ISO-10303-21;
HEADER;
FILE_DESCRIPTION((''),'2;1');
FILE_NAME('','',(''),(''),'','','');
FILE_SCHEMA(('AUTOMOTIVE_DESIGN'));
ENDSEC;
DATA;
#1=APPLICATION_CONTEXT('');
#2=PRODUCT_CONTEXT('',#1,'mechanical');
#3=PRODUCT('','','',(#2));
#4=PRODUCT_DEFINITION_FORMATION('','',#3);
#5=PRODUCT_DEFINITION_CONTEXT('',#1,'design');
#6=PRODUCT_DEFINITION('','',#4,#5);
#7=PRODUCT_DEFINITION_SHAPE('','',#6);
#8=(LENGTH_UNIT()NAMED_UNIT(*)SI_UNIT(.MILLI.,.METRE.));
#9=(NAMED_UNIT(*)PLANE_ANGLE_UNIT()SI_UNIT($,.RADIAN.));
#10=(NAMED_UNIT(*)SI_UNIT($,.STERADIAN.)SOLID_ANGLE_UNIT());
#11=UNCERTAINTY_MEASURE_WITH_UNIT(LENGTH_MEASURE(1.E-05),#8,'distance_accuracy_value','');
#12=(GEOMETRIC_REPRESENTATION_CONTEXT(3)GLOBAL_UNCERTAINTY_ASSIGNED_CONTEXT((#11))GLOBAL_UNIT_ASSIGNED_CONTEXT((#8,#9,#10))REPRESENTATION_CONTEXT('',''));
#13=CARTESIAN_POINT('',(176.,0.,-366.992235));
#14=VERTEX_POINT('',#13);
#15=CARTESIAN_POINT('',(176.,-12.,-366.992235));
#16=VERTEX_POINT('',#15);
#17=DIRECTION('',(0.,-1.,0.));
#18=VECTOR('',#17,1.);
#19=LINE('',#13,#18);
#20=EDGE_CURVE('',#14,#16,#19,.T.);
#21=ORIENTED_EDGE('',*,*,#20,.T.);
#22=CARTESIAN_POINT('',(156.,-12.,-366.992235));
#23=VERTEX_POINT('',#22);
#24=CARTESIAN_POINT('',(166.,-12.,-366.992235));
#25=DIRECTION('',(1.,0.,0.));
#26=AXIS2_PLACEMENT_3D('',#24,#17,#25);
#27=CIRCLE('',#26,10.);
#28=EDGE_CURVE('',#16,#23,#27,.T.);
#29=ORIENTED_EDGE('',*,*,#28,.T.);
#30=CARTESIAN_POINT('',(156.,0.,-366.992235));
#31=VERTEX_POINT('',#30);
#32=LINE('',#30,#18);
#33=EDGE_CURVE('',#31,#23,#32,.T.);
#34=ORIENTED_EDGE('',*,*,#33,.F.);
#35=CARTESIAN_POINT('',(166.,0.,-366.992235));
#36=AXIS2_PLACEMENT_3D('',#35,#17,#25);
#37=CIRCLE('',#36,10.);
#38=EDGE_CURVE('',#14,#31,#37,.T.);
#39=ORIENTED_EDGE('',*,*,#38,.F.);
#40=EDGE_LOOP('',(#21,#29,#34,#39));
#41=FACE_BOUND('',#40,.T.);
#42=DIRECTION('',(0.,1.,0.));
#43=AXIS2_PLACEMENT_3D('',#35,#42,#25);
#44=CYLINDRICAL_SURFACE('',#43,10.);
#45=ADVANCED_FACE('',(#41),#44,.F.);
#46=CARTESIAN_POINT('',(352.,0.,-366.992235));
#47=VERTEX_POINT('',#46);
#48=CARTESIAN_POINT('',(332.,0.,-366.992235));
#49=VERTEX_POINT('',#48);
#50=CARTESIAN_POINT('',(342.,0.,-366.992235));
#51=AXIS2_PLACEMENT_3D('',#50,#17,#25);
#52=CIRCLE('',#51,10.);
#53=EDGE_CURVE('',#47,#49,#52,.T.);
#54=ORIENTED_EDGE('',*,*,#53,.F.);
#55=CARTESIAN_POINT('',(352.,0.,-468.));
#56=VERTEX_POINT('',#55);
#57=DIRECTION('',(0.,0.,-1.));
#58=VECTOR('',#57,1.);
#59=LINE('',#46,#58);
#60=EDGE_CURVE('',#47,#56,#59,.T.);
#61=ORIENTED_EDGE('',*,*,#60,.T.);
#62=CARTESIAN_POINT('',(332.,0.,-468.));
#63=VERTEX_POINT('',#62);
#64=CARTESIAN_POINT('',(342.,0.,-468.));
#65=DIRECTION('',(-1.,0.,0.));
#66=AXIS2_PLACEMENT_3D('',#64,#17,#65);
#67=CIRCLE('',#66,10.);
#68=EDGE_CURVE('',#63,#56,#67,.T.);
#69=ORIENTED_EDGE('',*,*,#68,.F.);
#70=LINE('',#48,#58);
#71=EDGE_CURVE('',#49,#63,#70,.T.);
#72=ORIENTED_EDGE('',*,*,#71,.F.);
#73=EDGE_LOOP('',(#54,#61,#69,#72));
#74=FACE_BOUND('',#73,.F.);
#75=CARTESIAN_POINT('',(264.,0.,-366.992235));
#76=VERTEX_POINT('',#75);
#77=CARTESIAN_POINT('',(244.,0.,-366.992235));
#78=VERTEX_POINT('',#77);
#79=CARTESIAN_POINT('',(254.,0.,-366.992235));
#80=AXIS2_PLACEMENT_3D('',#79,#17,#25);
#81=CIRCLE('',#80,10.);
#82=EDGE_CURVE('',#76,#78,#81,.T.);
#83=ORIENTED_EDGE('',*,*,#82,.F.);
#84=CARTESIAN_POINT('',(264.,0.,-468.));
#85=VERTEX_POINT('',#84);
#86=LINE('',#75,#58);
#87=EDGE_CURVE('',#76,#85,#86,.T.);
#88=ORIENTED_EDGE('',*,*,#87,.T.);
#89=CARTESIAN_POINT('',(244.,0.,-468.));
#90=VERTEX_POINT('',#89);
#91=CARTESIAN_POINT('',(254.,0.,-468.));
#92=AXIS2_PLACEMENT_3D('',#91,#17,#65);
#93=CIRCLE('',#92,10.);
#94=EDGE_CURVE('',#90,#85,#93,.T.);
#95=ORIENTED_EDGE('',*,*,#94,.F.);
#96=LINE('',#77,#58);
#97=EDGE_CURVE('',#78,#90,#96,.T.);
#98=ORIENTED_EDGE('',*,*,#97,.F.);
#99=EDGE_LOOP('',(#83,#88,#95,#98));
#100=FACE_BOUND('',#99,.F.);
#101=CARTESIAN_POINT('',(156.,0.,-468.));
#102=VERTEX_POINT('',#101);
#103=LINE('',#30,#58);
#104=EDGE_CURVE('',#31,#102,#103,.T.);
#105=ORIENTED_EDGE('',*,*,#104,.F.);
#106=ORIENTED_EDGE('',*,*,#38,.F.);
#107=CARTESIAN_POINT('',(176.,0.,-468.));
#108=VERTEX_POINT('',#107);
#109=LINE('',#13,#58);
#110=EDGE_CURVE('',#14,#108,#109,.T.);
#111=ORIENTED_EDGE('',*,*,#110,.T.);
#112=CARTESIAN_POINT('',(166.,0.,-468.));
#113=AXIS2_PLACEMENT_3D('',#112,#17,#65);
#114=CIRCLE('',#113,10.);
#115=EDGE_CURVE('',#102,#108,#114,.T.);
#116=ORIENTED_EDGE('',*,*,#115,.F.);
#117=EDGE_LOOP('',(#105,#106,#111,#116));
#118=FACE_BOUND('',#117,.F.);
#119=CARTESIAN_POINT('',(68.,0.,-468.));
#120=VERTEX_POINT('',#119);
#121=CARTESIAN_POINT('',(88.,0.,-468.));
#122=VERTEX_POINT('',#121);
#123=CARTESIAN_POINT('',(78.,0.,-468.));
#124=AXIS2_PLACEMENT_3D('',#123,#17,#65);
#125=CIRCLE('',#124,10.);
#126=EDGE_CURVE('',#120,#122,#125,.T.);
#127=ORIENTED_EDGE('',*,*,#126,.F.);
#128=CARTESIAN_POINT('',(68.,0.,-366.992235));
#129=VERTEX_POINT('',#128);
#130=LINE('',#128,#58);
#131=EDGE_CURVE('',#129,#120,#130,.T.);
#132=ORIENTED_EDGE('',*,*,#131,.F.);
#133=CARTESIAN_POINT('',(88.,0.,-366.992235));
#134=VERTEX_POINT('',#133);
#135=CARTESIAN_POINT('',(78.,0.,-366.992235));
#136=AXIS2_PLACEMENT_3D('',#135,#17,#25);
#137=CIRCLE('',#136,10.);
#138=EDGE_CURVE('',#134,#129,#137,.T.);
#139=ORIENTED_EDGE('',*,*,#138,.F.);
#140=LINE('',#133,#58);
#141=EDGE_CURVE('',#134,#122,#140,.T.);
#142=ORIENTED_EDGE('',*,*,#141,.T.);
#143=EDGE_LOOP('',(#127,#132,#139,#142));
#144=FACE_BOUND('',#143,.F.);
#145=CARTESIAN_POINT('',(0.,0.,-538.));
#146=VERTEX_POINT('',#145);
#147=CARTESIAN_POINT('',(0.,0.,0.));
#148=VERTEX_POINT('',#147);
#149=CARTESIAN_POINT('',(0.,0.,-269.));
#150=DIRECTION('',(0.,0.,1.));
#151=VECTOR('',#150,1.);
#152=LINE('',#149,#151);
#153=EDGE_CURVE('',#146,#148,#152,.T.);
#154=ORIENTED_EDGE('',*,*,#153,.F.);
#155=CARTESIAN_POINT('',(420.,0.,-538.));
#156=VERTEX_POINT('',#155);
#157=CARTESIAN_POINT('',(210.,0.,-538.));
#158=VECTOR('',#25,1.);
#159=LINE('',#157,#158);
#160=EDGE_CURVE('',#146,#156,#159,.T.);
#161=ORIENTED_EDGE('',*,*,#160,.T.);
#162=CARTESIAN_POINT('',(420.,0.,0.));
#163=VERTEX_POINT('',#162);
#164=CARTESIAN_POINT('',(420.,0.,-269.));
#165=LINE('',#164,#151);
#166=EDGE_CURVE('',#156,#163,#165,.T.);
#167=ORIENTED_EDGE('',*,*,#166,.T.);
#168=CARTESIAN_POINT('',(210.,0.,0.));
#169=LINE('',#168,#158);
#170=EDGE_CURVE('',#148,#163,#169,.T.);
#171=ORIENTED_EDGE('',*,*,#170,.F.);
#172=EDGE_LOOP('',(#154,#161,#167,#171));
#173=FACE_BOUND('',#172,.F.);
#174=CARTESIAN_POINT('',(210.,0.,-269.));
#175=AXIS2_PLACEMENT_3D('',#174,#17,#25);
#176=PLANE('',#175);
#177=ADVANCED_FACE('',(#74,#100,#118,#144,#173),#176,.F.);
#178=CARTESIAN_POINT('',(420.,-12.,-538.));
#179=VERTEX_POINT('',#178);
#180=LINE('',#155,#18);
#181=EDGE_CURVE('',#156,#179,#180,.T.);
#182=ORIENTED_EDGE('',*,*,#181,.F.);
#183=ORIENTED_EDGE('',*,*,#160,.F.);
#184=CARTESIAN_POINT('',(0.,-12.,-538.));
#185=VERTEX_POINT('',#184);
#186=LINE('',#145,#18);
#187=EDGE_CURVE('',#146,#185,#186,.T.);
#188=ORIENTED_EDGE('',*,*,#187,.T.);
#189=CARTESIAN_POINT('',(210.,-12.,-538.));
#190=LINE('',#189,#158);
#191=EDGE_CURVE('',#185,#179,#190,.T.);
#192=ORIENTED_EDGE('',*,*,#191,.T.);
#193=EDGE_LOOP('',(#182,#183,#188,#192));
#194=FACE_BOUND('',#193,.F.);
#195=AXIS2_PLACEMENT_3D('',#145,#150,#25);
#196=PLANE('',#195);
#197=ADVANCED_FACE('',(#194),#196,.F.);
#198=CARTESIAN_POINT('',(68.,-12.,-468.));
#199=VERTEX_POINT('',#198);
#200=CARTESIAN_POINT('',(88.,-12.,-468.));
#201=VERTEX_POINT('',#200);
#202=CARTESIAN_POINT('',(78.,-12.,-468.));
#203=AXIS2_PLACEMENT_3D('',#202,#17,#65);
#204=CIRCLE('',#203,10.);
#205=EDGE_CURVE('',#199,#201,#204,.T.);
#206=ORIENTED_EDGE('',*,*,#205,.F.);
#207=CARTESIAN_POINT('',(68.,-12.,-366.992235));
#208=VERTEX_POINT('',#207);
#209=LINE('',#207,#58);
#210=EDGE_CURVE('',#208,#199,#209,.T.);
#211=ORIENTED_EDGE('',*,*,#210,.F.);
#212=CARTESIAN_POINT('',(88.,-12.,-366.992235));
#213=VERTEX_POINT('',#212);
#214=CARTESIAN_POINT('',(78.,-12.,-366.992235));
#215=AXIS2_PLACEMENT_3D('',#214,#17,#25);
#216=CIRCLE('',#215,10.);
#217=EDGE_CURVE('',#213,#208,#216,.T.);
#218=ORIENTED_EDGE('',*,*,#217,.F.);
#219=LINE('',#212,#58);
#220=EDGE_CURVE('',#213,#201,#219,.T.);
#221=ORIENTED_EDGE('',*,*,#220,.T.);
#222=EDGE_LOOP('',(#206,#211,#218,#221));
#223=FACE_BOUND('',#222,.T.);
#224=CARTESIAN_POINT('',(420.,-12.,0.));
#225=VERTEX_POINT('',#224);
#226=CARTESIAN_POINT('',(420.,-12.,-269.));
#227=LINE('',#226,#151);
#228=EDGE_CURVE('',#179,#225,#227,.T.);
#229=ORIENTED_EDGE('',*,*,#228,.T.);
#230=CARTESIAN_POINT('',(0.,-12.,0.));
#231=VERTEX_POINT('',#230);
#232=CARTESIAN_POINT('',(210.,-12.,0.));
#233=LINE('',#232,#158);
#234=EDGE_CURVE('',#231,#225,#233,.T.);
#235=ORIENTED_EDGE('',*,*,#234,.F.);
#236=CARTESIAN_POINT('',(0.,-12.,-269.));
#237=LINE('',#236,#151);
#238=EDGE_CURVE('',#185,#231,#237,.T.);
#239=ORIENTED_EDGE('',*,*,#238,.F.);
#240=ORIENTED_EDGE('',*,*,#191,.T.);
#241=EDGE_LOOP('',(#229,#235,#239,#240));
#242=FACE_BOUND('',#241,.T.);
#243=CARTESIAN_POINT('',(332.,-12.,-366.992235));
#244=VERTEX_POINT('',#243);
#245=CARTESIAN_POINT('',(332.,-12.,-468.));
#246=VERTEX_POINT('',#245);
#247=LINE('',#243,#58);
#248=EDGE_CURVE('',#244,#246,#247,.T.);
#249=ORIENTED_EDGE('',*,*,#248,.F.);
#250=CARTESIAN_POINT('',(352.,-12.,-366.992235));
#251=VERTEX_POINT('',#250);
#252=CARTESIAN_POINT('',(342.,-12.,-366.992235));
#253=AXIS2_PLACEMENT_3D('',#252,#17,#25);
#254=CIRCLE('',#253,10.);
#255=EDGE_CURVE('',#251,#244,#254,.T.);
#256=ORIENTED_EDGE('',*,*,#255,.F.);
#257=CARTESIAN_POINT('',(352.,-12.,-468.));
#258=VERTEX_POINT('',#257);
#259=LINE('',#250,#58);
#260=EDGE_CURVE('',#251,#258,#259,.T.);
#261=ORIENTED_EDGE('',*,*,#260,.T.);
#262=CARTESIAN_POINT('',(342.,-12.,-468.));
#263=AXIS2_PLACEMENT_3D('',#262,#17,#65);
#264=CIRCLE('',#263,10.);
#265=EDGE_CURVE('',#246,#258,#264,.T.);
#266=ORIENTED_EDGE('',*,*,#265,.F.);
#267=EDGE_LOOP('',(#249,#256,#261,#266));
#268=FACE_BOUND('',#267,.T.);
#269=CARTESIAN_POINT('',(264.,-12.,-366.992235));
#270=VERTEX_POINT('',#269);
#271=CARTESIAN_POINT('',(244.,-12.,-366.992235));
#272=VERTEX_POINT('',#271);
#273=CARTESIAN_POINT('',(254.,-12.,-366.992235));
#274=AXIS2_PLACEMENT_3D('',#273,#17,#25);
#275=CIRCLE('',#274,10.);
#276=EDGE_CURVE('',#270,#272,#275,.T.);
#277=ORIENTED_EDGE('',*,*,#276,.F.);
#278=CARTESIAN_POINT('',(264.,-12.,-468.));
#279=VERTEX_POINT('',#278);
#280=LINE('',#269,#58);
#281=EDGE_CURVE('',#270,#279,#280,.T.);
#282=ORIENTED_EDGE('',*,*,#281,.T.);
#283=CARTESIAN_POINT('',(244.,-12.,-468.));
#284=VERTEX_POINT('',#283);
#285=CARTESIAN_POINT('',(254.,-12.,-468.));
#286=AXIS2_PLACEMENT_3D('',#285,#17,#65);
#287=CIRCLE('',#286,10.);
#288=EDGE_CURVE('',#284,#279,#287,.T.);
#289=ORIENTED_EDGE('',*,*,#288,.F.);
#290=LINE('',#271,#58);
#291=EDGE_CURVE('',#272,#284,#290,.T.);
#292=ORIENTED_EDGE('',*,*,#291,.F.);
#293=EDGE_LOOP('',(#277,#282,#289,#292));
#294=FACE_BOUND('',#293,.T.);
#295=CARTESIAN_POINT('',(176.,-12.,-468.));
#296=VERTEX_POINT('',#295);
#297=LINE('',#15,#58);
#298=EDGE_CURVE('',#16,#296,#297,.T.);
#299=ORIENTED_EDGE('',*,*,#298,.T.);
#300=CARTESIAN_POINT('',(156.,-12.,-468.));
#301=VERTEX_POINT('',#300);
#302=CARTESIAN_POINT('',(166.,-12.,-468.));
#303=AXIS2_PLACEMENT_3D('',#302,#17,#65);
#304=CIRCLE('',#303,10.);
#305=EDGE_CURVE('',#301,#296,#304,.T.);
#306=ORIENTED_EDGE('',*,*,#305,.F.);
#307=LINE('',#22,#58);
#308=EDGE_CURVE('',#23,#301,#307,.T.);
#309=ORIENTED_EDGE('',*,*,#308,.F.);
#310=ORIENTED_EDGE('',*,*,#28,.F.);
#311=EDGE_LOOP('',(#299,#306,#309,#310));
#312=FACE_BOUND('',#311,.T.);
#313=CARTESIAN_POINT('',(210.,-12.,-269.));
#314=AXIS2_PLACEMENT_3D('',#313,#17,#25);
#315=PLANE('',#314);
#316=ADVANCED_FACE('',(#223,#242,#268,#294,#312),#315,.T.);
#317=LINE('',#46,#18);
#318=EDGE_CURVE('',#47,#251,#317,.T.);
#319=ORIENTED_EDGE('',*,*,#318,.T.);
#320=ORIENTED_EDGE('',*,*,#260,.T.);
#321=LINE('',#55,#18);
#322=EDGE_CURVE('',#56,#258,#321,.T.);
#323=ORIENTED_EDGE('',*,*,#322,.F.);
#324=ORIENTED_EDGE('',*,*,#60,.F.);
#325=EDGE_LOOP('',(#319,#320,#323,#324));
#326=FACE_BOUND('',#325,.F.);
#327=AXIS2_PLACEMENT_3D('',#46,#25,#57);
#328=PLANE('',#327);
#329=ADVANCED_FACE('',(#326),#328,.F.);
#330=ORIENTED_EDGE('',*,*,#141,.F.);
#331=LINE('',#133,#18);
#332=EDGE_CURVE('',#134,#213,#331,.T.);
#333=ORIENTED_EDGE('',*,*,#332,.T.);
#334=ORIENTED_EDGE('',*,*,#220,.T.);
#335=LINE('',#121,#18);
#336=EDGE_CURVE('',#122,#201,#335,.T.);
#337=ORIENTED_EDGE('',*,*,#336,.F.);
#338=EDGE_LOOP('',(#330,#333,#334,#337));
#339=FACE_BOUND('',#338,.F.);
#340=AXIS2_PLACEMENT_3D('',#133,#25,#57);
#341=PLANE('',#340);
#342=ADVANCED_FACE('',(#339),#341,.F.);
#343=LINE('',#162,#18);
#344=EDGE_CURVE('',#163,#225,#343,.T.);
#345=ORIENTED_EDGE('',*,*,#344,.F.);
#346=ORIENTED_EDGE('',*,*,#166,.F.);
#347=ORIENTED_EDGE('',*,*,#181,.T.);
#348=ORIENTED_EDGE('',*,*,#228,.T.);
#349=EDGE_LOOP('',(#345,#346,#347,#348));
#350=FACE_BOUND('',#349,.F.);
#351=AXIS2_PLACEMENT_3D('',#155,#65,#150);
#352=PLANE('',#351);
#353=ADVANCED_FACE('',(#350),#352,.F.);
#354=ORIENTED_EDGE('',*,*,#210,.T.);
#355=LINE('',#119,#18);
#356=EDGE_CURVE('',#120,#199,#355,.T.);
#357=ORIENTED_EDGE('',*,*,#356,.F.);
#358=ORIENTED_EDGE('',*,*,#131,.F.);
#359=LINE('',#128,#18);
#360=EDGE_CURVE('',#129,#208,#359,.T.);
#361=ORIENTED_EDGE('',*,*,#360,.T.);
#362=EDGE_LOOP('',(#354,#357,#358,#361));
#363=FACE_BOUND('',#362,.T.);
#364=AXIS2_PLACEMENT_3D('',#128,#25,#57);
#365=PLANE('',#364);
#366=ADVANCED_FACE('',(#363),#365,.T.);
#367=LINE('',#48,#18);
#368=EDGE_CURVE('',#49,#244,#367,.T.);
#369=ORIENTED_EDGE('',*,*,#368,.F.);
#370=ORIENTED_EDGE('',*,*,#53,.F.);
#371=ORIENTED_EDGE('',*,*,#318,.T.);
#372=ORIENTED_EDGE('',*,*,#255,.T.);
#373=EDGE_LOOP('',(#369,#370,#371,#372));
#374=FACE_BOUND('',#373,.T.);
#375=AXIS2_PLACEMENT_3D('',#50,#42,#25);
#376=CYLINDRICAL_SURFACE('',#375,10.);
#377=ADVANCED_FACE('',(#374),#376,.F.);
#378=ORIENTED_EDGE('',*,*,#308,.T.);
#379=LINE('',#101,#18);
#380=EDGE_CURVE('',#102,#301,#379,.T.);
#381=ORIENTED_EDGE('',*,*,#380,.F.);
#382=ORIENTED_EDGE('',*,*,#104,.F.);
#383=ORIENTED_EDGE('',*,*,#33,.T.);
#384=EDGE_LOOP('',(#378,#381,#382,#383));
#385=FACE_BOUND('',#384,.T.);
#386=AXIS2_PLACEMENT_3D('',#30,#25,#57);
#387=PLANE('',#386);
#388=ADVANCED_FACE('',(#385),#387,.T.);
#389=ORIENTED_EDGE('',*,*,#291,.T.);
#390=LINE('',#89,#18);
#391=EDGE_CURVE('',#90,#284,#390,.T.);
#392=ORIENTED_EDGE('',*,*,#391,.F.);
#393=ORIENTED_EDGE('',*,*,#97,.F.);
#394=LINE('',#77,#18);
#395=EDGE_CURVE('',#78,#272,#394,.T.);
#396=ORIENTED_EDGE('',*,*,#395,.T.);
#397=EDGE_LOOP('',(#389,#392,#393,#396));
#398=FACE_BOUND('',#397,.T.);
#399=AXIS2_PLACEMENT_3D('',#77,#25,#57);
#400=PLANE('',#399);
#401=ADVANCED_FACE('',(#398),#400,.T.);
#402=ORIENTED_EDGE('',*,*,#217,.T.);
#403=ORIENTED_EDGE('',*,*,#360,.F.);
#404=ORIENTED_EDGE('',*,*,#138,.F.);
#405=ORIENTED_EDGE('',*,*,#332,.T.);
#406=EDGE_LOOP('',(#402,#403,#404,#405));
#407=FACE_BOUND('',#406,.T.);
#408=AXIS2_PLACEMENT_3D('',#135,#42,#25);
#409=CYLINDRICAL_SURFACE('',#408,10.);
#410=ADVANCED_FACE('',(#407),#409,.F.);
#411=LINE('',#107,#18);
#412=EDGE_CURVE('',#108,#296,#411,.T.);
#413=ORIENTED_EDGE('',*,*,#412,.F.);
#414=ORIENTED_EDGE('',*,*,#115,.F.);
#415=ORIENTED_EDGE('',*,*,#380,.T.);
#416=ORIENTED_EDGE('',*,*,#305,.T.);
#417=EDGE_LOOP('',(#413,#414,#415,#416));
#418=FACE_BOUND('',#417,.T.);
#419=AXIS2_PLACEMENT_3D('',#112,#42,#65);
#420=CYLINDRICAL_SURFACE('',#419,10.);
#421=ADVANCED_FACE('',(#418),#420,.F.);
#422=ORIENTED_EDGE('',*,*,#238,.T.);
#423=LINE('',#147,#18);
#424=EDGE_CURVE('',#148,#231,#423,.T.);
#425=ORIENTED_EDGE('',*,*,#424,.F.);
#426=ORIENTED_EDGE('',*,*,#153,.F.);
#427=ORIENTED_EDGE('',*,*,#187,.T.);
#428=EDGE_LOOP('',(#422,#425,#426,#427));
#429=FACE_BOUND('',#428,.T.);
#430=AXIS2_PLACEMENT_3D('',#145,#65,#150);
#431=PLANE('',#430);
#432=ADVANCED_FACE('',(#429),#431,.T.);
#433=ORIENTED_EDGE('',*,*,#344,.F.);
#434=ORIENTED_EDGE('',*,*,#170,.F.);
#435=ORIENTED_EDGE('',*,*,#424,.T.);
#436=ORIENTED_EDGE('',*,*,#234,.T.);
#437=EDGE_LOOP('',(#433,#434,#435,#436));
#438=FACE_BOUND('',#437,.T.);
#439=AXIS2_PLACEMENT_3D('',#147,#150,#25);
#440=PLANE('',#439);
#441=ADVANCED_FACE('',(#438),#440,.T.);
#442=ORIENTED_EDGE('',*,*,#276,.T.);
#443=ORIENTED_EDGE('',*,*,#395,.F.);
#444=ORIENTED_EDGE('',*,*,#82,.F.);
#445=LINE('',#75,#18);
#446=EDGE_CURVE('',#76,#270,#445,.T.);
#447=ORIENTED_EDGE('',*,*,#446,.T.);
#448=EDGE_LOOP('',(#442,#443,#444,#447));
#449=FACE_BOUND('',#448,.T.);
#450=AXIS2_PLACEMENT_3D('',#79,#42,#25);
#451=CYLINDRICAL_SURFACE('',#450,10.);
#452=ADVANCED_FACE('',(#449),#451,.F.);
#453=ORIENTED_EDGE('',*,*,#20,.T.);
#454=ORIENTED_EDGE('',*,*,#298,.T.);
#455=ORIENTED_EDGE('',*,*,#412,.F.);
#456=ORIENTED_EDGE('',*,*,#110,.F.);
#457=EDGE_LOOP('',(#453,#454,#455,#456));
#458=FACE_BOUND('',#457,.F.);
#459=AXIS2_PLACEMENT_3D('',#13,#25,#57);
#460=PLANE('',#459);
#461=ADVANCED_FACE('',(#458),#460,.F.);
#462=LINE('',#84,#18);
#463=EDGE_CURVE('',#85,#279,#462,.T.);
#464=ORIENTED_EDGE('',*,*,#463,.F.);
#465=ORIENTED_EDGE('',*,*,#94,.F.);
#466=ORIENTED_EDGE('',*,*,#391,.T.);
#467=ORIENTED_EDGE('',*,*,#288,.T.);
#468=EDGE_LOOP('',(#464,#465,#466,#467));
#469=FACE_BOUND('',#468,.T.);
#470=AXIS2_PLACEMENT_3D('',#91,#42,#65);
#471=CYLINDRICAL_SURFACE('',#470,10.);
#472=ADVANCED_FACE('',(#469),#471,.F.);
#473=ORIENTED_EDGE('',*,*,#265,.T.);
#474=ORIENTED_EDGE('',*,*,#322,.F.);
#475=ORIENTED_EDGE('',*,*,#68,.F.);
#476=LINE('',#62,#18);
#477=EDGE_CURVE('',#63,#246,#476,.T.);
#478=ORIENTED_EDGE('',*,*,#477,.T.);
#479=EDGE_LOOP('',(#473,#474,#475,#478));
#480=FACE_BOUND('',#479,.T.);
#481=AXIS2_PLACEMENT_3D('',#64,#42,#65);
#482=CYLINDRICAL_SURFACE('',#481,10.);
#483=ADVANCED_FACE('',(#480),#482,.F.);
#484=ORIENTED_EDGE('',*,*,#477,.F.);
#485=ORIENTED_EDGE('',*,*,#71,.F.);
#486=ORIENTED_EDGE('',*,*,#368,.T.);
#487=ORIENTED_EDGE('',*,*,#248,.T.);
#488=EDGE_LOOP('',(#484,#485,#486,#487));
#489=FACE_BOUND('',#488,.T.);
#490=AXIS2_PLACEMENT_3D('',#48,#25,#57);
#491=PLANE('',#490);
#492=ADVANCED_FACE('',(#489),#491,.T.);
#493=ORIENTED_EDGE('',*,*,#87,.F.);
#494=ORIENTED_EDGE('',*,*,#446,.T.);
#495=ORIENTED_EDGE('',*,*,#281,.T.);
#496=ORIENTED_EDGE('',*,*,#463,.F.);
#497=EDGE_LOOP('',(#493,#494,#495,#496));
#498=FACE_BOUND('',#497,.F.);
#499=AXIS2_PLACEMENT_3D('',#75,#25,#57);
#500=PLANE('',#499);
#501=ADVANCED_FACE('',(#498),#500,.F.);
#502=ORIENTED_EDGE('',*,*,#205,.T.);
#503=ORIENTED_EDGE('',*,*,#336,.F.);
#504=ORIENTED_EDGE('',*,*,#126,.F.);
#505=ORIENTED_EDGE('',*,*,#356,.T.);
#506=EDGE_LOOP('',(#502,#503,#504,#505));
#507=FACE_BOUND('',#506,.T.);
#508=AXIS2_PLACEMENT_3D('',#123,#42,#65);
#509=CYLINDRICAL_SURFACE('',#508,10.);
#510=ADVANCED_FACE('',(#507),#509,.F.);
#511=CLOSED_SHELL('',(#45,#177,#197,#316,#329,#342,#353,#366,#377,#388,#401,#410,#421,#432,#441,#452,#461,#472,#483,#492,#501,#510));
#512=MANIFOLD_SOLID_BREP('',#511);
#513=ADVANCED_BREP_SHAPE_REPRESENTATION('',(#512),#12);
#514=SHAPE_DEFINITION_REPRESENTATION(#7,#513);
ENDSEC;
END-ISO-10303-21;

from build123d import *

# Parameters (mm, degrees)
SKETCH_W  = 420
SKETCH_H  = 538
PAD_DEPTH = 12


with BuildPart() as part:
    # Sketch → Pad (new body)
    with BuildSketch(Plane.XZ):
        with Locations((210, -269)):
            Rectangle(SKETCH_W, SKETCH_H)
        with BuildLine():
            ThreePointArc((88, -366.992235), (78, -356.992235), (68, -366.992235))
            Line((68, -366.992235), (68, -468))
            ThreePointArc((68, -468), (78, -478), (88, -468))
            Line((88, -366.992235), (88, -468))
        make_face(mode=Mode.SUBTRACT)
        with BuildLine():
            ThreePointArc((264, -366.992235), (254, -356.992235), (244, -366.992235))
            Line((244, -366.992235), (244, -468))
            ThreePointArc((244, -468), (254, -478), (264, -468))
            Line((264, -366.992235), (264, -468))
        make_face(mode=Mode.SUBTRACT)
        with BuildLine():
            ThreePointArc((352, -366.992235), (342, -356.992235), (332, -366.992235))
            Line((332, -366.992235), (332, -468))
            ThreePointArc((332, -468), (342, -478), (352, -468))
            Line((352, -366.992235), (352, -468))
        make_face(mode=Mode.SUBTRACT)
        with BuildLine():
            ThreePointArc((176, -366.992235), (166, -356.992235), (156, -366.992235))
            Line((156, -366.992235), (156, -468))
            ThreePointArc((156, -468), (166, -478), (176, -468))
            Line((176, -366.992235), (176, -468))
        make_face(mode=Mode.SUBTRACT)
    extrude(amount=PAD_DEPTH)


solid = part.part
